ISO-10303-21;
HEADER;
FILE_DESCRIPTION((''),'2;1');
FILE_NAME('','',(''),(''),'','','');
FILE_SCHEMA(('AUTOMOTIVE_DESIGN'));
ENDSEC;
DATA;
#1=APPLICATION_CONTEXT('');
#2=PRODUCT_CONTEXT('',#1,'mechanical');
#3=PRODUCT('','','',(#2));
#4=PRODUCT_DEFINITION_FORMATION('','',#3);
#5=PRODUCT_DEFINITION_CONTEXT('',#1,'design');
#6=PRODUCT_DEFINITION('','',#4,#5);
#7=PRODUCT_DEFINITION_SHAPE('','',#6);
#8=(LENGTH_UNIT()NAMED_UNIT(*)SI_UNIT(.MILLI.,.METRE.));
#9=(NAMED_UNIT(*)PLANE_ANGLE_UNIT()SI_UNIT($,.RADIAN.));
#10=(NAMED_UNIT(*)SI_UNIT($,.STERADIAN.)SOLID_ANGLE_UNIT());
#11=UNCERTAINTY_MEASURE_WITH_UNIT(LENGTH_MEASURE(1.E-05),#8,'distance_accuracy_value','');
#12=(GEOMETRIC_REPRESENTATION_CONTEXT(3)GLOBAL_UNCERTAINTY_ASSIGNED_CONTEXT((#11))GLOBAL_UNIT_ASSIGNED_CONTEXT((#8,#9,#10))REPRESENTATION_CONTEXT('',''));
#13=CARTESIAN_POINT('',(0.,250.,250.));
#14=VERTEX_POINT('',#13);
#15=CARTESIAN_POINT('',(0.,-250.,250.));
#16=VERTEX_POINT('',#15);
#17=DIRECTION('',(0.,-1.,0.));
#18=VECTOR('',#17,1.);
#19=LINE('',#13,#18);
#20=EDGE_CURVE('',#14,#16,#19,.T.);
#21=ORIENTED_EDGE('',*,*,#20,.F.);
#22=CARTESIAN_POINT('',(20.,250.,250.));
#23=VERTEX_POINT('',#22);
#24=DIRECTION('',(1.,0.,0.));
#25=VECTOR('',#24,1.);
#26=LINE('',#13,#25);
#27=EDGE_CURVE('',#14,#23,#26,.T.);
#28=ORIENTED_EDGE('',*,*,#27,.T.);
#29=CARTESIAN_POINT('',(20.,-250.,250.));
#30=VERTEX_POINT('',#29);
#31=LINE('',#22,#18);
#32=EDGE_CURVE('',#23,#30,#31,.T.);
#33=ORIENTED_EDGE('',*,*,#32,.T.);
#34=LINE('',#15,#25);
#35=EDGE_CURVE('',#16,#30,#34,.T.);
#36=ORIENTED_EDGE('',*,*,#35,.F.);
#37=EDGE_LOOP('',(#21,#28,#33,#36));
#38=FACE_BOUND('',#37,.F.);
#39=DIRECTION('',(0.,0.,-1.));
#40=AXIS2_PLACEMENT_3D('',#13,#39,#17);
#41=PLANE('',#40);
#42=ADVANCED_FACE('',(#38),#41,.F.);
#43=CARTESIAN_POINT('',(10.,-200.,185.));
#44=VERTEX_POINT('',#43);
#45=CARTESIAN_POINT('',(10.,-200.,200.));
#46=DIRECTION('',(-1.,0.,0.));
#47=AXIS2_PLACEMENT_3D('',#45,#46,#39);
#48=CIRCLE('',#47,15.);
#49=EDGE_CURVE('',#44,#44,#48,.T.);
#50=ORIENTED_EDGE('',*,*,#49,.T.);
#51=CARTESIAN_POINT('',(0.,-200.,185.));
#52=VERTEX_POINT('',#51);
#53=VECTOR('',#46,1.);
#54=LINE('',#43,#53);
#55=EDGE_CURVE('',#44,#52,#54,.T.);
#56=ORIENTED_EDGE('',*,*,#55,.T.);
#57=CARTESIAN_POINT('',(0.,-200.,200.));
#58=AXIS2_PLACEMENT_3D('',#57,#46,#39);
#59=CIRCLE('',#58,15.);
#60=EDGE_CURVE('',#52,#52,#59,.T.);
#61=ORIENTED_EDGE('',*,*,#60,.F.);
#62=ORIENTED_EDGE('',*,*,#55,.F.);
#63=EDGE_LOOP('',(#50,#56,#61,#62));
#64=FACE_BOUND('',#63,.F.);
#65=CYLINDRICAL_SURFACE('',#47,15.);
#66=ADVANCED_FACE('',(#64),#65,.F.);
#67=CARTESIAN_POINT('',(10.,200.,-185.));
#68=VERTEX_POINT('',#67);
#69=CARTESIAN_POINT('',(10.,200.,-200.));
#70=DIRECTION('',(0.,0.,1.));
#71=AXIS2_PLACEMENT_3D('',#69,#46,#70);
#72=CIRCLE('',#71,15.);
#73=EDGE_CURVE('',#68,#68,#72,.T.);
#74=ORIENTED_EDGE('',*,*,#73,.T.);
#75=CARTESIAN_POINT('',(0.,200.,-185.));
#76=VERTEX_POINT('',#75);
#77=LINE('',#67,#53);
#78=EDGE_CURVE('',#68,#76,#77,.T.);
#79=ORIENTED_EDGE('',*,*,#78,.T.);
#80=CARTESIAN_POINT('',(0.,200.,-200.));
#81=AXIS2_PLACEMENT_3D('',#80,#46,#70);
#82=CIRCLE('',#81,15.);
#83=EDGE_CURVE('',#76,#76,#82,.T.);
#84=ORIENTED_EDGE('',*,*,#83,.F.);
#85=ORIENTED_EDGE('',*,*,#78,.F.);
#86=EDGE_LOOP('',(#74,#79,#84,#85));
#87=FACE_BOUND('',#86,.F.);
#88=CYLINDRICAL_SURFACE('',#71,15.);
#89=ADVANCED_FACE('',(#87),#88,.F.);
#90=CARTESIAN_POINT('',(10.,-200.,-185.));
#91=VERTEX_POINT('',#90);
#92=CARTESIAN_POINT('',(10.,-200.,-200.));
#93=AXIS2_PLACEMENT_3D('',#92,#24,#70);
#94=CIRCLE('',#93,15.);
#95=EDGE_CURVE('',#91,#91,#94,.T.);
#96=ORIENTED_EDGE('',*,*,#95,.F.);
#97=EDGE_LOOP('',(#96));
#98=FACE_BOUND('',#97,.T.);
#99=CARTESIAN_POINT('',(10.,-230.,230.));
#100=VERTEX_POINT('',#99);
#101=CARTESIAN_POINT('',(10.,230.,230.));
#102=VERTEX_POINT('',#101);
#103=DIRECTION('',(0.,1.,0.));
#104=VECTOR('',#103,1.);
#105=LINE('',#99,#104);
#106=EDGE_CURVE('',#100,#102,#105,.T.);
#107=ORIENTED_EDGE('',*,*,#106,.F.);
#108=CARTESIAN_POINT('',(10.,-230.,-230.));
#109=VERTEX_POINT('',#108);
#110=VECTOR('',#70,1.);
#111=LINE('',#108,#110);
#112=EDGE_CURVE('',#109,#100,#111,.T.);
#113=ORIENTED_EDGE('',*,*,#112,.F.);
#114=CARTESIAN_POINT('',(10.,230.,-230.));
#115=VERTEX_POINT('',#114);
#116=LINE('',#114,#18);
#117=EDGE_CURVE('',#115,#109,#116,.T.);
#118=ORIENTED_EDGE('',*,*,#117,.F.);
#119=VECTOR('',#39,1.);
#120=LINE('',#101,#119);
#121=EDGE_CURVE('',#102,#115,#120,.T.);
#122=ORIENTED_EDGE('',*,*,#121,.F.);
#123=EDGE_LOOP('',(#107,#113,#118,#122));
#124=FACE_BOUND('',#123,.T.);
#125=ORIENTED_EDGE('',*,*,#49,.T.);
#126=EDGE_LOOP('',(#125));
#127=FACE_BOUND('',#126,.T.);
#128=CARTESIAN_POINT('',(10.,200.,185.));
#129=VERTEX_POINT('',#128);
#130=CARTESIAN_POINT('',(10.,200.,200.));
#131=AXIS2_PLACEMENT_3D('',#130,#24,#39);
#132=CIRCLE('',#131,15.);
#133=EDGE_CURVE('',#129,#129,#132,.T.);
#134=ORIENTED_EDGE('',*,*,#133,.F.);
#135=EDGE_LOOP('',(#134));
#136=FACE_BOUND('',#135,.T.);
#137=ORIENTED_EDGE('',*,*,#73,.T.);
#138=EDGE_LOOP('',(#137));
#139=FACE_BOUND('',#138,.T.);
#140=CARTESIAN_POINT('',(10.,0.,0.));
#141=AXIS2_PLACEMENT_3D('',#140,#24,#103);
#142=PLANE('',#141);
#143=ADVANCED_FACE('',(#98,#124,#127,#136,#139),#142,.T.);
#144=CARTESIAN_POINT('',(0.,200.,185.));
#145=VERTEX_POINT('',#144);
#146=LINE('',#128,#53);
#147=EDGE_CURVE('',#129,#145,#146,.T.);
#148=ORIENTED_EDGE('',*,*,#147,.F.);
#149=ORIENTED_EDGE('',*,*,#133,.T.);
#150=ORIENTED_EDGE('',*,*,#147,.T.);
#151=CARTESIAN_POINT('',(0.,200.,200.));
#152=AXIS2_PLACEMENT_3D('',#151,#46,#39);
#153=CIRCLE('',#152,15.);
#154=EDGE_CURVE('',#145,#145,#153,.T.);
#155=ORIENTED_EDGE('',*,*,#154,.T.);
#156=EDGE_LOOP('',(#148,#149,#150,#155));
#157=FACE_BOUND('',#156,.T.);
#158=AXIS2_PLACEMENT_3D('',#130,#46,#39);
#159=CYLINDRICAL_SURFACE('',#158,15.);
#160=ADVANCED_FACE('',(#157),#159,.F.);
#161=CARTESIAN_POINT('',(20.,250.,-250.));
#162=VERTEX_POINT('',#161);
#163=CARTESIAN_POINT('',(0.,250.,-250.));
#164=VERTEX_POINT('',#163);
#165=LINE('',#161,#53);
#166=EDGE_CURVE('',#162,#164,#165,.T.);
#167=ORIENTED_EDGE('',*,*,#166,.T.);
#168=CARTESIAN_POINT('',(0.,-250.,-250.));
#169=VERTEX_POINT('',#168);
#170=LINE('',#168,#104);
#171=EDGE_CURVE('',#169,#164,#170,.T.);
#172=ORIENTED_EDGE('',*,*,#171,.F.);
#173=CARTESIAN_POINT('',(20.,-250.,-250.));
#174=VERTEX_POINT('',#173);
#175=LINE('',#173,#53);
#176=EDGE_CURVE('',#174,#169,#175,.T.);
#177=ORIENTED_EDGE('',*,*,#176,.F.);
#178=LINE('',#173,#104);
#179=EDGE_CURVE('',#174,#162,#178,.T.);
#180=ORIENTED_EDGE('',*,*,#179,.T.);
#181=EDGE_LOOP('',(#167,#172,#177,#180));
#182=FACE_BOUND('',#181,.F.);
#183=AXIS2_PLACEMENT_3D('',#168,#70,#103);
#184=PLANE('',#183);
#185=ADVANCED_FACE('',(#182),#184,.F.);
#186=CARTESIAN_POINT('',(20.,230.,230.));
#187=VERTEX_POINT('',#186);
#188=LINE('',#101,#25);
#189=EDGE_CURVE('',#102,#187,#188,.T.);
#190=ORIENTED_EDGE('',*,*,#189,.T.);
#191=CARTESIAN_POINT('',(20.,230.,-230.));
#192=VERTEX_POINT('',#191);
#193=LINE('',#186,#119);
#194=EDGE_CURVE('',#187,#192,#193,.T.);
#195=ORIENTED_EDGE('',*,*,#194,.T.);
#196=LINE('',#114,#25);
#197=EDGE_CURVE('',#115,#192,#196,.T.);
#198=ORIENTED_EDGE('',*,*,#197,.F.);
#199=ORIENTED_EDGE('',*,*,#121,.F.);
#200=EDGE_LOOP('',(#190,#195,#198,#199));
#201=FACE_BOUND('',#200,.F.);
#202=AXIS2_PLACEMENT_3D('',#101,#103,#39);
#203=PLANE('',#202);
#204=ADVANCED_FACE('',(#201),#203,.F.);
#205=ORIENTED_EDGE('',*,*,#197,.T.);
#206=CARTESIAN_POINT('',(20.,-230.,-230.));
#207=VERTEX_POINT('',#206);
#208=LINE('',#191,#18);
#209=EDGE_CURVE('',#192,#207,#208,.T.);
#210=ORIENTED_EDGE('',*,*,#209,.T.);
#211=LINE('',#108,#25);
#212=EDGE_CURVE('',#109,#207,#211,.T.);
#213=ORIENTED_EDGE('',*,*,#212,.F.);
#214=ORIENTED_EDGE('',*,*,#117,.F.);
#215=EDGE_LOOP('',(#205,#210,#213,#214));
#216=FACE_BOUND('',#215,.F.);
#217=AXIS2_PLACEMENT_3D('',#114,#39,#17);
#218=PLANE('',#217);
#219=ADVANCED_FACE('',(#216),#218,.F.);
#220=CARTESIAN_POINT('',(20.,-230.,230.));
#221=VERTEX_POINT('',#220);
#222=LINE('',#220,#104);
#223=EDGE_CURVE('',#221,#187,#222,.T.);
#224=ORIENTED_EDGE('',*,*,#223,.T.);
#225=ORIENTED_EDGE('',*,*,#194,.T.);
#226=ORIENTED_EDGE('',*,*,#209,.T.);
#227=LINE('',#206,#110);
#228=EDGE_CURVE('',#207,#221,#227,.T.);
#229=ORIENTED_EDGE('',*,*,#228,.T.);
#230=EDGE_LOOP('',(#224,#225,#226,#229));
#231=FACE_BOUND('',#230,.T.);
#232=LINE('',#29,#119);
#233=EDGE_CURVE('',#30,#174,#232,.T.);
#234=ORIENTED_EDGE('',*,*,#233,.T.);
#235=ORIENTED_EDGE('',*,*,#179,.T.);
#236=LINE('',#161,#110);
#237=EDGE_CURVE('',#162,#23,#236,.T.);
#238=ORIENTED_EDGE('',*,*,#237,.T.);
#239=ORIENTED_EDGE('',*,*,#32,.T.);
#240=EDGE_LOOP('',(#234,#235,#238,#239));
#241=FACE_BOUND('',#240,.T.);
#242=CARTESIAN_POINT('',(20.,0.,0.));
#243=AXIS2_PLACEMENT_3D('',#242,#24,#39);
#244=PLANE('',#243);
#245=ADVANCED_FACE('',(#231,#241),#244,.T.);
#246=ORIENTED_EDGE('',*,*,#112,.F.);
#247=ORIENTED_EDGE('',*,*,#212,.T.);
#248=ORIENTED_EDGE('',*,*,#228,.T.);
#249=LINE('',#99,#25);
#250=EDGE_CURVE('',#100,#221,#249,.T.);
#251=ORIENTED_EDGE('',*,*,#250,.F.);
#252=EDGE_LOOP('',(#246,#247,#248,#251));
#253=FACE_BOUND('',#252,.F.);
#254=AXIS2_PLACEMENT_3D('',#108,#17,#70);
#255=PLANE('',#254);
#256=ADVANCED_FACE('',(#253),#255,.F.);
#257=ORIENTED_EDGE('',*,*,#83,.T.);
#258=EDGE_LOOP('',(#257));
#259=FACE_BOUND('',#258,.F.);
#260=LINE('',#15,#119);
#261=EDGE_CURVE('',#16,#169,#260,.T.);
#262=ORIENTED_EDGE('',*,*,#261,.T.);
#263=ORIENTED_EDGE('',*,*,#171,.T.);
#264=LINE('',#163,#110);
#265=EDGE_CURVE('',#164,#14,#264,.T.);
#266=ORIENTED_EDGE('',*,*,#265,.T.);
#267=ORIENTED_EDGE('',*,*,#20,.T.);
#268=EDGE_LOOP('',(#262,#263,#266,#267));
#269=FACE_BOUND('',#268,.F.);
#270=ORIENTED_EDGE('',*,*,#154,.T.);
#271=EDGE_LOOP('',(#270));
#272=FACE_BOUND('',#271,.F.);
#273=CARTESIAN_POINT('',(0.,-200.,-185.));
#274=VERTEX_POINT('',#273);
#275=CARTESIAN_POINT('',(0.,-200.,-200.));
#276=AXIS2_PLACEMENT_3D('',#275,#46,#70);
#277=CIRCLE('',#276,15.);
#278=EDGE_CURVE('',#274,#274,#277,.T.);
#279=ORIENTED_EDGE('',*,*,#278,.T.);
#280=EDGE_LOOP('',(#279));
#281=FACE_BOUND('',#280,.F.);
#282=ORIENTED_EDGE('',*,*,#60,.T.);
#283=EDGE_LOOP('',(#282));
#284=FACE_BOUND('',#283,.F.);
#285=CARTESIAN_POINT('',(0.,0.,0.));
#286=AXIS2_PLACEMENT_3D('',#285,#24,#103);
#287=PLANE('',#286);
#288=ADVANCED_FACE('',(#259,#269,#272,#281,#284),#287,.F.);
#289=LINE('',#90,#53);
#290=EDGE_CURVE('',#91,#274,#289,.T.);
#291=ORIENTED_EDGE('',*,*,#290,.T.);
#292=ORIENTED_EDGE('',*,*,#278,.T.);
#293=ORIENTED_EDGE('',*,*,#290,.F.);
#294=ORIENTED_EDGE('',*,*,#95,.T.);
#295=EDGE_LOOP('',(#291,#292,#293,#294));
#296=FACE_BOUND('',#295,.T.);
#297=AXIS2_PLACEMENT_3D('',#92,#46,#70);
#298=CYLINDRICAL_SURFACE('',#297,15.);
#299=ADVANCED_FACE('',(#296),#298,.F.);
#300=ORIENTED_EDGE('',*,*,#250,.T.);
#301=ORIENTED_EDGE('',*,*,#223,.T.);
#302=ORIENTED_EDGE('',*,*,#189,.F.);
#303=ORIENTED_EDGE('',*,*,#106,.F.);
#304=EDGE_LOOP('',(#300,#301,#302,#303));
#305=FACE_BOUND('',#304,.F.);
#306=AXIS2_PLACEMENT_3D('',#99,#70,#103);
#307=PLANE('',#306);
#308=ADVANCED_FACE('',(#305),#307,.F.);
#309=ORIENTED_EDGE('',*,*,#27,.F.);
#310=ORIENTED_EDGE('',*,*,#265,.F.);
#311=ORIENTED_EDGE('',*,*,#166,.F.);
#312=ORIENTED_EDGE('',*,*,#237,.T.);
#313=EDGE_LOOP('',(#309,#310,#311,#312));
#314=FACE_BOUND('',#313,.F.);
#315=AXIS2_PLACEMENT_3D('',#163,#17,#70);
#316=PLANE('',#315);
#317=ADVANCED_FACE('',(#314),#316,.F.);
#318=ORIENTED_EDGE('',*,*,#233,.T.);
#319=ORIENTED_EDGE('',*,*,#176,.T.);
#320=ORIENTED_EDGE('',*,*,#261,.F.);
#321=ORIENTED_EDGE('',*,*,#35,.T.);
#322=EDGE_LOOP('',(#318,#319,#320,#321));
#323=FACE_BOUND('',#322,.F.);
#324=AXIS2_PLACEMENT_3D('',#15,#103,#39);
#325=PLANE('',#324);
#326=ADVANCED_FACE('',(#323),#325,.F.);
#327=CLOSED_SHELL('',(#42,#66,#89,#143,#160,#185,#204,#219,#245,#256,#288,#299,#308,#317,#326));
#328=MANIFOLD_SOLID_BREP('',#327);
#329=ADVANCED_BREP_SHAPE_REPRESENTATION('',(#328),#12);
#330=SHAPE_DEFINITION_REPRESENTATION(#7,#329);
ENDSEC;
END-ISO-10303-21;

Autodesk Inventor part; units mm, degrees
ref_plane "YZ Plane" through (0, 0, 0) normal (1, 0, 0) x (0, 1, 0)
ref_plane "XZ Plane" through (0, 0, 0) normal (0, 1, 0) x (-1, 0, 0)
ref_plane "XY Plane" through (0, 0, 0) normal (0, 0, 1) x (1, 0, 0)
sketch "Sketch1" plane through (0, 0, 0) normal (1, 0, 0) x (0, 1, 0)
  line L0 (250, 250) -> (-250, 250)
  line L1 (-250, 250) -> (-250, -250)
  line L2 (-250, -250) -> (250, -250)
  line L3 (250, -250) -> (250, 250)
  line L4 (250, 250) -> (-250, -250) construction
  line L5 (-250, 250) -> (250, -250) construction
  point P0 (0, 0)
  dimension "d0" = 500
  dimension "d1" = 500
extrude "Extrusion1" add sketch "Sketch1" along normal blind 10
sketch "Sketch2" plane through (10, 0, 0) normal (1, 0, 0) x (0, 0, -1)
  line L0 (-250, 250) -> (-250, -250) projected
  line L1 (-250, -250) -> (250, -250) projected
  line L2 (250, -250) -> (250, 250) projected
  line L3 (250, 250) -> (-250, 250) projected
  line L4 (-230, 230) -> (230, 230)
  line L5 (230, 230) -> (230, -230)
  line L6 (230, -230) -> (-230, -230)
  line L7 (-230, -230) -> (-230, 230)
  line L8 (-230, 230) -> (230, -230) construction
  line L9 (230, 230) -> (-230, -230) construction
  point P0 (0, 0)
  dimension "d4" = 20
  dimension "d5" = 20
extrude "Extrusion2" add sketch "Sketch2" along normal blind 10
sketch "Sketch3" plane through (10, 0, 0) normal (1, 0, 0) x (0, 0, -1)
  circle A0 centre (-200, -200) radius 30
  line L0 (-250, 250) -> (-250, -250) projected
  line L1 (-250, -250) -> (250, -250) projected
  point P0 (0, 0)
  dimension "d8" = 60
  dimension "d9" = 50
  dimension "d10" = 50
hole "Hole1" at (10, -200, 200) direction (-1, 0, 0) diameter 30 depth 67.75
mirror "Mirror1" about plane through (0, 0, 0) normal (0, 1, 0) of "Hole1"
mirror "Mirror2" about plane through (0, 0, 0) normal (0, 0, 1) of "Hole1", "Mirror1"
sketch "Sketch4" plane through (10, 0, 0) normal (1, 0, 0) x (0, 0, -1)
  line L0 (-250, 250) -> (254.1843, 248.5364) construction
  line L1 (254.1843, 248.5364) -> (252.7352, -250.6505) construction
  line L2 (252.7352, -250.6505) -> (-251.4491, -249.1869) construction
  line L3 (-251.4491, -249.1869) -> (-250, 250) construction
  point P0 (0, 0)
properties part number "S.Carrom board" material "Birch"
